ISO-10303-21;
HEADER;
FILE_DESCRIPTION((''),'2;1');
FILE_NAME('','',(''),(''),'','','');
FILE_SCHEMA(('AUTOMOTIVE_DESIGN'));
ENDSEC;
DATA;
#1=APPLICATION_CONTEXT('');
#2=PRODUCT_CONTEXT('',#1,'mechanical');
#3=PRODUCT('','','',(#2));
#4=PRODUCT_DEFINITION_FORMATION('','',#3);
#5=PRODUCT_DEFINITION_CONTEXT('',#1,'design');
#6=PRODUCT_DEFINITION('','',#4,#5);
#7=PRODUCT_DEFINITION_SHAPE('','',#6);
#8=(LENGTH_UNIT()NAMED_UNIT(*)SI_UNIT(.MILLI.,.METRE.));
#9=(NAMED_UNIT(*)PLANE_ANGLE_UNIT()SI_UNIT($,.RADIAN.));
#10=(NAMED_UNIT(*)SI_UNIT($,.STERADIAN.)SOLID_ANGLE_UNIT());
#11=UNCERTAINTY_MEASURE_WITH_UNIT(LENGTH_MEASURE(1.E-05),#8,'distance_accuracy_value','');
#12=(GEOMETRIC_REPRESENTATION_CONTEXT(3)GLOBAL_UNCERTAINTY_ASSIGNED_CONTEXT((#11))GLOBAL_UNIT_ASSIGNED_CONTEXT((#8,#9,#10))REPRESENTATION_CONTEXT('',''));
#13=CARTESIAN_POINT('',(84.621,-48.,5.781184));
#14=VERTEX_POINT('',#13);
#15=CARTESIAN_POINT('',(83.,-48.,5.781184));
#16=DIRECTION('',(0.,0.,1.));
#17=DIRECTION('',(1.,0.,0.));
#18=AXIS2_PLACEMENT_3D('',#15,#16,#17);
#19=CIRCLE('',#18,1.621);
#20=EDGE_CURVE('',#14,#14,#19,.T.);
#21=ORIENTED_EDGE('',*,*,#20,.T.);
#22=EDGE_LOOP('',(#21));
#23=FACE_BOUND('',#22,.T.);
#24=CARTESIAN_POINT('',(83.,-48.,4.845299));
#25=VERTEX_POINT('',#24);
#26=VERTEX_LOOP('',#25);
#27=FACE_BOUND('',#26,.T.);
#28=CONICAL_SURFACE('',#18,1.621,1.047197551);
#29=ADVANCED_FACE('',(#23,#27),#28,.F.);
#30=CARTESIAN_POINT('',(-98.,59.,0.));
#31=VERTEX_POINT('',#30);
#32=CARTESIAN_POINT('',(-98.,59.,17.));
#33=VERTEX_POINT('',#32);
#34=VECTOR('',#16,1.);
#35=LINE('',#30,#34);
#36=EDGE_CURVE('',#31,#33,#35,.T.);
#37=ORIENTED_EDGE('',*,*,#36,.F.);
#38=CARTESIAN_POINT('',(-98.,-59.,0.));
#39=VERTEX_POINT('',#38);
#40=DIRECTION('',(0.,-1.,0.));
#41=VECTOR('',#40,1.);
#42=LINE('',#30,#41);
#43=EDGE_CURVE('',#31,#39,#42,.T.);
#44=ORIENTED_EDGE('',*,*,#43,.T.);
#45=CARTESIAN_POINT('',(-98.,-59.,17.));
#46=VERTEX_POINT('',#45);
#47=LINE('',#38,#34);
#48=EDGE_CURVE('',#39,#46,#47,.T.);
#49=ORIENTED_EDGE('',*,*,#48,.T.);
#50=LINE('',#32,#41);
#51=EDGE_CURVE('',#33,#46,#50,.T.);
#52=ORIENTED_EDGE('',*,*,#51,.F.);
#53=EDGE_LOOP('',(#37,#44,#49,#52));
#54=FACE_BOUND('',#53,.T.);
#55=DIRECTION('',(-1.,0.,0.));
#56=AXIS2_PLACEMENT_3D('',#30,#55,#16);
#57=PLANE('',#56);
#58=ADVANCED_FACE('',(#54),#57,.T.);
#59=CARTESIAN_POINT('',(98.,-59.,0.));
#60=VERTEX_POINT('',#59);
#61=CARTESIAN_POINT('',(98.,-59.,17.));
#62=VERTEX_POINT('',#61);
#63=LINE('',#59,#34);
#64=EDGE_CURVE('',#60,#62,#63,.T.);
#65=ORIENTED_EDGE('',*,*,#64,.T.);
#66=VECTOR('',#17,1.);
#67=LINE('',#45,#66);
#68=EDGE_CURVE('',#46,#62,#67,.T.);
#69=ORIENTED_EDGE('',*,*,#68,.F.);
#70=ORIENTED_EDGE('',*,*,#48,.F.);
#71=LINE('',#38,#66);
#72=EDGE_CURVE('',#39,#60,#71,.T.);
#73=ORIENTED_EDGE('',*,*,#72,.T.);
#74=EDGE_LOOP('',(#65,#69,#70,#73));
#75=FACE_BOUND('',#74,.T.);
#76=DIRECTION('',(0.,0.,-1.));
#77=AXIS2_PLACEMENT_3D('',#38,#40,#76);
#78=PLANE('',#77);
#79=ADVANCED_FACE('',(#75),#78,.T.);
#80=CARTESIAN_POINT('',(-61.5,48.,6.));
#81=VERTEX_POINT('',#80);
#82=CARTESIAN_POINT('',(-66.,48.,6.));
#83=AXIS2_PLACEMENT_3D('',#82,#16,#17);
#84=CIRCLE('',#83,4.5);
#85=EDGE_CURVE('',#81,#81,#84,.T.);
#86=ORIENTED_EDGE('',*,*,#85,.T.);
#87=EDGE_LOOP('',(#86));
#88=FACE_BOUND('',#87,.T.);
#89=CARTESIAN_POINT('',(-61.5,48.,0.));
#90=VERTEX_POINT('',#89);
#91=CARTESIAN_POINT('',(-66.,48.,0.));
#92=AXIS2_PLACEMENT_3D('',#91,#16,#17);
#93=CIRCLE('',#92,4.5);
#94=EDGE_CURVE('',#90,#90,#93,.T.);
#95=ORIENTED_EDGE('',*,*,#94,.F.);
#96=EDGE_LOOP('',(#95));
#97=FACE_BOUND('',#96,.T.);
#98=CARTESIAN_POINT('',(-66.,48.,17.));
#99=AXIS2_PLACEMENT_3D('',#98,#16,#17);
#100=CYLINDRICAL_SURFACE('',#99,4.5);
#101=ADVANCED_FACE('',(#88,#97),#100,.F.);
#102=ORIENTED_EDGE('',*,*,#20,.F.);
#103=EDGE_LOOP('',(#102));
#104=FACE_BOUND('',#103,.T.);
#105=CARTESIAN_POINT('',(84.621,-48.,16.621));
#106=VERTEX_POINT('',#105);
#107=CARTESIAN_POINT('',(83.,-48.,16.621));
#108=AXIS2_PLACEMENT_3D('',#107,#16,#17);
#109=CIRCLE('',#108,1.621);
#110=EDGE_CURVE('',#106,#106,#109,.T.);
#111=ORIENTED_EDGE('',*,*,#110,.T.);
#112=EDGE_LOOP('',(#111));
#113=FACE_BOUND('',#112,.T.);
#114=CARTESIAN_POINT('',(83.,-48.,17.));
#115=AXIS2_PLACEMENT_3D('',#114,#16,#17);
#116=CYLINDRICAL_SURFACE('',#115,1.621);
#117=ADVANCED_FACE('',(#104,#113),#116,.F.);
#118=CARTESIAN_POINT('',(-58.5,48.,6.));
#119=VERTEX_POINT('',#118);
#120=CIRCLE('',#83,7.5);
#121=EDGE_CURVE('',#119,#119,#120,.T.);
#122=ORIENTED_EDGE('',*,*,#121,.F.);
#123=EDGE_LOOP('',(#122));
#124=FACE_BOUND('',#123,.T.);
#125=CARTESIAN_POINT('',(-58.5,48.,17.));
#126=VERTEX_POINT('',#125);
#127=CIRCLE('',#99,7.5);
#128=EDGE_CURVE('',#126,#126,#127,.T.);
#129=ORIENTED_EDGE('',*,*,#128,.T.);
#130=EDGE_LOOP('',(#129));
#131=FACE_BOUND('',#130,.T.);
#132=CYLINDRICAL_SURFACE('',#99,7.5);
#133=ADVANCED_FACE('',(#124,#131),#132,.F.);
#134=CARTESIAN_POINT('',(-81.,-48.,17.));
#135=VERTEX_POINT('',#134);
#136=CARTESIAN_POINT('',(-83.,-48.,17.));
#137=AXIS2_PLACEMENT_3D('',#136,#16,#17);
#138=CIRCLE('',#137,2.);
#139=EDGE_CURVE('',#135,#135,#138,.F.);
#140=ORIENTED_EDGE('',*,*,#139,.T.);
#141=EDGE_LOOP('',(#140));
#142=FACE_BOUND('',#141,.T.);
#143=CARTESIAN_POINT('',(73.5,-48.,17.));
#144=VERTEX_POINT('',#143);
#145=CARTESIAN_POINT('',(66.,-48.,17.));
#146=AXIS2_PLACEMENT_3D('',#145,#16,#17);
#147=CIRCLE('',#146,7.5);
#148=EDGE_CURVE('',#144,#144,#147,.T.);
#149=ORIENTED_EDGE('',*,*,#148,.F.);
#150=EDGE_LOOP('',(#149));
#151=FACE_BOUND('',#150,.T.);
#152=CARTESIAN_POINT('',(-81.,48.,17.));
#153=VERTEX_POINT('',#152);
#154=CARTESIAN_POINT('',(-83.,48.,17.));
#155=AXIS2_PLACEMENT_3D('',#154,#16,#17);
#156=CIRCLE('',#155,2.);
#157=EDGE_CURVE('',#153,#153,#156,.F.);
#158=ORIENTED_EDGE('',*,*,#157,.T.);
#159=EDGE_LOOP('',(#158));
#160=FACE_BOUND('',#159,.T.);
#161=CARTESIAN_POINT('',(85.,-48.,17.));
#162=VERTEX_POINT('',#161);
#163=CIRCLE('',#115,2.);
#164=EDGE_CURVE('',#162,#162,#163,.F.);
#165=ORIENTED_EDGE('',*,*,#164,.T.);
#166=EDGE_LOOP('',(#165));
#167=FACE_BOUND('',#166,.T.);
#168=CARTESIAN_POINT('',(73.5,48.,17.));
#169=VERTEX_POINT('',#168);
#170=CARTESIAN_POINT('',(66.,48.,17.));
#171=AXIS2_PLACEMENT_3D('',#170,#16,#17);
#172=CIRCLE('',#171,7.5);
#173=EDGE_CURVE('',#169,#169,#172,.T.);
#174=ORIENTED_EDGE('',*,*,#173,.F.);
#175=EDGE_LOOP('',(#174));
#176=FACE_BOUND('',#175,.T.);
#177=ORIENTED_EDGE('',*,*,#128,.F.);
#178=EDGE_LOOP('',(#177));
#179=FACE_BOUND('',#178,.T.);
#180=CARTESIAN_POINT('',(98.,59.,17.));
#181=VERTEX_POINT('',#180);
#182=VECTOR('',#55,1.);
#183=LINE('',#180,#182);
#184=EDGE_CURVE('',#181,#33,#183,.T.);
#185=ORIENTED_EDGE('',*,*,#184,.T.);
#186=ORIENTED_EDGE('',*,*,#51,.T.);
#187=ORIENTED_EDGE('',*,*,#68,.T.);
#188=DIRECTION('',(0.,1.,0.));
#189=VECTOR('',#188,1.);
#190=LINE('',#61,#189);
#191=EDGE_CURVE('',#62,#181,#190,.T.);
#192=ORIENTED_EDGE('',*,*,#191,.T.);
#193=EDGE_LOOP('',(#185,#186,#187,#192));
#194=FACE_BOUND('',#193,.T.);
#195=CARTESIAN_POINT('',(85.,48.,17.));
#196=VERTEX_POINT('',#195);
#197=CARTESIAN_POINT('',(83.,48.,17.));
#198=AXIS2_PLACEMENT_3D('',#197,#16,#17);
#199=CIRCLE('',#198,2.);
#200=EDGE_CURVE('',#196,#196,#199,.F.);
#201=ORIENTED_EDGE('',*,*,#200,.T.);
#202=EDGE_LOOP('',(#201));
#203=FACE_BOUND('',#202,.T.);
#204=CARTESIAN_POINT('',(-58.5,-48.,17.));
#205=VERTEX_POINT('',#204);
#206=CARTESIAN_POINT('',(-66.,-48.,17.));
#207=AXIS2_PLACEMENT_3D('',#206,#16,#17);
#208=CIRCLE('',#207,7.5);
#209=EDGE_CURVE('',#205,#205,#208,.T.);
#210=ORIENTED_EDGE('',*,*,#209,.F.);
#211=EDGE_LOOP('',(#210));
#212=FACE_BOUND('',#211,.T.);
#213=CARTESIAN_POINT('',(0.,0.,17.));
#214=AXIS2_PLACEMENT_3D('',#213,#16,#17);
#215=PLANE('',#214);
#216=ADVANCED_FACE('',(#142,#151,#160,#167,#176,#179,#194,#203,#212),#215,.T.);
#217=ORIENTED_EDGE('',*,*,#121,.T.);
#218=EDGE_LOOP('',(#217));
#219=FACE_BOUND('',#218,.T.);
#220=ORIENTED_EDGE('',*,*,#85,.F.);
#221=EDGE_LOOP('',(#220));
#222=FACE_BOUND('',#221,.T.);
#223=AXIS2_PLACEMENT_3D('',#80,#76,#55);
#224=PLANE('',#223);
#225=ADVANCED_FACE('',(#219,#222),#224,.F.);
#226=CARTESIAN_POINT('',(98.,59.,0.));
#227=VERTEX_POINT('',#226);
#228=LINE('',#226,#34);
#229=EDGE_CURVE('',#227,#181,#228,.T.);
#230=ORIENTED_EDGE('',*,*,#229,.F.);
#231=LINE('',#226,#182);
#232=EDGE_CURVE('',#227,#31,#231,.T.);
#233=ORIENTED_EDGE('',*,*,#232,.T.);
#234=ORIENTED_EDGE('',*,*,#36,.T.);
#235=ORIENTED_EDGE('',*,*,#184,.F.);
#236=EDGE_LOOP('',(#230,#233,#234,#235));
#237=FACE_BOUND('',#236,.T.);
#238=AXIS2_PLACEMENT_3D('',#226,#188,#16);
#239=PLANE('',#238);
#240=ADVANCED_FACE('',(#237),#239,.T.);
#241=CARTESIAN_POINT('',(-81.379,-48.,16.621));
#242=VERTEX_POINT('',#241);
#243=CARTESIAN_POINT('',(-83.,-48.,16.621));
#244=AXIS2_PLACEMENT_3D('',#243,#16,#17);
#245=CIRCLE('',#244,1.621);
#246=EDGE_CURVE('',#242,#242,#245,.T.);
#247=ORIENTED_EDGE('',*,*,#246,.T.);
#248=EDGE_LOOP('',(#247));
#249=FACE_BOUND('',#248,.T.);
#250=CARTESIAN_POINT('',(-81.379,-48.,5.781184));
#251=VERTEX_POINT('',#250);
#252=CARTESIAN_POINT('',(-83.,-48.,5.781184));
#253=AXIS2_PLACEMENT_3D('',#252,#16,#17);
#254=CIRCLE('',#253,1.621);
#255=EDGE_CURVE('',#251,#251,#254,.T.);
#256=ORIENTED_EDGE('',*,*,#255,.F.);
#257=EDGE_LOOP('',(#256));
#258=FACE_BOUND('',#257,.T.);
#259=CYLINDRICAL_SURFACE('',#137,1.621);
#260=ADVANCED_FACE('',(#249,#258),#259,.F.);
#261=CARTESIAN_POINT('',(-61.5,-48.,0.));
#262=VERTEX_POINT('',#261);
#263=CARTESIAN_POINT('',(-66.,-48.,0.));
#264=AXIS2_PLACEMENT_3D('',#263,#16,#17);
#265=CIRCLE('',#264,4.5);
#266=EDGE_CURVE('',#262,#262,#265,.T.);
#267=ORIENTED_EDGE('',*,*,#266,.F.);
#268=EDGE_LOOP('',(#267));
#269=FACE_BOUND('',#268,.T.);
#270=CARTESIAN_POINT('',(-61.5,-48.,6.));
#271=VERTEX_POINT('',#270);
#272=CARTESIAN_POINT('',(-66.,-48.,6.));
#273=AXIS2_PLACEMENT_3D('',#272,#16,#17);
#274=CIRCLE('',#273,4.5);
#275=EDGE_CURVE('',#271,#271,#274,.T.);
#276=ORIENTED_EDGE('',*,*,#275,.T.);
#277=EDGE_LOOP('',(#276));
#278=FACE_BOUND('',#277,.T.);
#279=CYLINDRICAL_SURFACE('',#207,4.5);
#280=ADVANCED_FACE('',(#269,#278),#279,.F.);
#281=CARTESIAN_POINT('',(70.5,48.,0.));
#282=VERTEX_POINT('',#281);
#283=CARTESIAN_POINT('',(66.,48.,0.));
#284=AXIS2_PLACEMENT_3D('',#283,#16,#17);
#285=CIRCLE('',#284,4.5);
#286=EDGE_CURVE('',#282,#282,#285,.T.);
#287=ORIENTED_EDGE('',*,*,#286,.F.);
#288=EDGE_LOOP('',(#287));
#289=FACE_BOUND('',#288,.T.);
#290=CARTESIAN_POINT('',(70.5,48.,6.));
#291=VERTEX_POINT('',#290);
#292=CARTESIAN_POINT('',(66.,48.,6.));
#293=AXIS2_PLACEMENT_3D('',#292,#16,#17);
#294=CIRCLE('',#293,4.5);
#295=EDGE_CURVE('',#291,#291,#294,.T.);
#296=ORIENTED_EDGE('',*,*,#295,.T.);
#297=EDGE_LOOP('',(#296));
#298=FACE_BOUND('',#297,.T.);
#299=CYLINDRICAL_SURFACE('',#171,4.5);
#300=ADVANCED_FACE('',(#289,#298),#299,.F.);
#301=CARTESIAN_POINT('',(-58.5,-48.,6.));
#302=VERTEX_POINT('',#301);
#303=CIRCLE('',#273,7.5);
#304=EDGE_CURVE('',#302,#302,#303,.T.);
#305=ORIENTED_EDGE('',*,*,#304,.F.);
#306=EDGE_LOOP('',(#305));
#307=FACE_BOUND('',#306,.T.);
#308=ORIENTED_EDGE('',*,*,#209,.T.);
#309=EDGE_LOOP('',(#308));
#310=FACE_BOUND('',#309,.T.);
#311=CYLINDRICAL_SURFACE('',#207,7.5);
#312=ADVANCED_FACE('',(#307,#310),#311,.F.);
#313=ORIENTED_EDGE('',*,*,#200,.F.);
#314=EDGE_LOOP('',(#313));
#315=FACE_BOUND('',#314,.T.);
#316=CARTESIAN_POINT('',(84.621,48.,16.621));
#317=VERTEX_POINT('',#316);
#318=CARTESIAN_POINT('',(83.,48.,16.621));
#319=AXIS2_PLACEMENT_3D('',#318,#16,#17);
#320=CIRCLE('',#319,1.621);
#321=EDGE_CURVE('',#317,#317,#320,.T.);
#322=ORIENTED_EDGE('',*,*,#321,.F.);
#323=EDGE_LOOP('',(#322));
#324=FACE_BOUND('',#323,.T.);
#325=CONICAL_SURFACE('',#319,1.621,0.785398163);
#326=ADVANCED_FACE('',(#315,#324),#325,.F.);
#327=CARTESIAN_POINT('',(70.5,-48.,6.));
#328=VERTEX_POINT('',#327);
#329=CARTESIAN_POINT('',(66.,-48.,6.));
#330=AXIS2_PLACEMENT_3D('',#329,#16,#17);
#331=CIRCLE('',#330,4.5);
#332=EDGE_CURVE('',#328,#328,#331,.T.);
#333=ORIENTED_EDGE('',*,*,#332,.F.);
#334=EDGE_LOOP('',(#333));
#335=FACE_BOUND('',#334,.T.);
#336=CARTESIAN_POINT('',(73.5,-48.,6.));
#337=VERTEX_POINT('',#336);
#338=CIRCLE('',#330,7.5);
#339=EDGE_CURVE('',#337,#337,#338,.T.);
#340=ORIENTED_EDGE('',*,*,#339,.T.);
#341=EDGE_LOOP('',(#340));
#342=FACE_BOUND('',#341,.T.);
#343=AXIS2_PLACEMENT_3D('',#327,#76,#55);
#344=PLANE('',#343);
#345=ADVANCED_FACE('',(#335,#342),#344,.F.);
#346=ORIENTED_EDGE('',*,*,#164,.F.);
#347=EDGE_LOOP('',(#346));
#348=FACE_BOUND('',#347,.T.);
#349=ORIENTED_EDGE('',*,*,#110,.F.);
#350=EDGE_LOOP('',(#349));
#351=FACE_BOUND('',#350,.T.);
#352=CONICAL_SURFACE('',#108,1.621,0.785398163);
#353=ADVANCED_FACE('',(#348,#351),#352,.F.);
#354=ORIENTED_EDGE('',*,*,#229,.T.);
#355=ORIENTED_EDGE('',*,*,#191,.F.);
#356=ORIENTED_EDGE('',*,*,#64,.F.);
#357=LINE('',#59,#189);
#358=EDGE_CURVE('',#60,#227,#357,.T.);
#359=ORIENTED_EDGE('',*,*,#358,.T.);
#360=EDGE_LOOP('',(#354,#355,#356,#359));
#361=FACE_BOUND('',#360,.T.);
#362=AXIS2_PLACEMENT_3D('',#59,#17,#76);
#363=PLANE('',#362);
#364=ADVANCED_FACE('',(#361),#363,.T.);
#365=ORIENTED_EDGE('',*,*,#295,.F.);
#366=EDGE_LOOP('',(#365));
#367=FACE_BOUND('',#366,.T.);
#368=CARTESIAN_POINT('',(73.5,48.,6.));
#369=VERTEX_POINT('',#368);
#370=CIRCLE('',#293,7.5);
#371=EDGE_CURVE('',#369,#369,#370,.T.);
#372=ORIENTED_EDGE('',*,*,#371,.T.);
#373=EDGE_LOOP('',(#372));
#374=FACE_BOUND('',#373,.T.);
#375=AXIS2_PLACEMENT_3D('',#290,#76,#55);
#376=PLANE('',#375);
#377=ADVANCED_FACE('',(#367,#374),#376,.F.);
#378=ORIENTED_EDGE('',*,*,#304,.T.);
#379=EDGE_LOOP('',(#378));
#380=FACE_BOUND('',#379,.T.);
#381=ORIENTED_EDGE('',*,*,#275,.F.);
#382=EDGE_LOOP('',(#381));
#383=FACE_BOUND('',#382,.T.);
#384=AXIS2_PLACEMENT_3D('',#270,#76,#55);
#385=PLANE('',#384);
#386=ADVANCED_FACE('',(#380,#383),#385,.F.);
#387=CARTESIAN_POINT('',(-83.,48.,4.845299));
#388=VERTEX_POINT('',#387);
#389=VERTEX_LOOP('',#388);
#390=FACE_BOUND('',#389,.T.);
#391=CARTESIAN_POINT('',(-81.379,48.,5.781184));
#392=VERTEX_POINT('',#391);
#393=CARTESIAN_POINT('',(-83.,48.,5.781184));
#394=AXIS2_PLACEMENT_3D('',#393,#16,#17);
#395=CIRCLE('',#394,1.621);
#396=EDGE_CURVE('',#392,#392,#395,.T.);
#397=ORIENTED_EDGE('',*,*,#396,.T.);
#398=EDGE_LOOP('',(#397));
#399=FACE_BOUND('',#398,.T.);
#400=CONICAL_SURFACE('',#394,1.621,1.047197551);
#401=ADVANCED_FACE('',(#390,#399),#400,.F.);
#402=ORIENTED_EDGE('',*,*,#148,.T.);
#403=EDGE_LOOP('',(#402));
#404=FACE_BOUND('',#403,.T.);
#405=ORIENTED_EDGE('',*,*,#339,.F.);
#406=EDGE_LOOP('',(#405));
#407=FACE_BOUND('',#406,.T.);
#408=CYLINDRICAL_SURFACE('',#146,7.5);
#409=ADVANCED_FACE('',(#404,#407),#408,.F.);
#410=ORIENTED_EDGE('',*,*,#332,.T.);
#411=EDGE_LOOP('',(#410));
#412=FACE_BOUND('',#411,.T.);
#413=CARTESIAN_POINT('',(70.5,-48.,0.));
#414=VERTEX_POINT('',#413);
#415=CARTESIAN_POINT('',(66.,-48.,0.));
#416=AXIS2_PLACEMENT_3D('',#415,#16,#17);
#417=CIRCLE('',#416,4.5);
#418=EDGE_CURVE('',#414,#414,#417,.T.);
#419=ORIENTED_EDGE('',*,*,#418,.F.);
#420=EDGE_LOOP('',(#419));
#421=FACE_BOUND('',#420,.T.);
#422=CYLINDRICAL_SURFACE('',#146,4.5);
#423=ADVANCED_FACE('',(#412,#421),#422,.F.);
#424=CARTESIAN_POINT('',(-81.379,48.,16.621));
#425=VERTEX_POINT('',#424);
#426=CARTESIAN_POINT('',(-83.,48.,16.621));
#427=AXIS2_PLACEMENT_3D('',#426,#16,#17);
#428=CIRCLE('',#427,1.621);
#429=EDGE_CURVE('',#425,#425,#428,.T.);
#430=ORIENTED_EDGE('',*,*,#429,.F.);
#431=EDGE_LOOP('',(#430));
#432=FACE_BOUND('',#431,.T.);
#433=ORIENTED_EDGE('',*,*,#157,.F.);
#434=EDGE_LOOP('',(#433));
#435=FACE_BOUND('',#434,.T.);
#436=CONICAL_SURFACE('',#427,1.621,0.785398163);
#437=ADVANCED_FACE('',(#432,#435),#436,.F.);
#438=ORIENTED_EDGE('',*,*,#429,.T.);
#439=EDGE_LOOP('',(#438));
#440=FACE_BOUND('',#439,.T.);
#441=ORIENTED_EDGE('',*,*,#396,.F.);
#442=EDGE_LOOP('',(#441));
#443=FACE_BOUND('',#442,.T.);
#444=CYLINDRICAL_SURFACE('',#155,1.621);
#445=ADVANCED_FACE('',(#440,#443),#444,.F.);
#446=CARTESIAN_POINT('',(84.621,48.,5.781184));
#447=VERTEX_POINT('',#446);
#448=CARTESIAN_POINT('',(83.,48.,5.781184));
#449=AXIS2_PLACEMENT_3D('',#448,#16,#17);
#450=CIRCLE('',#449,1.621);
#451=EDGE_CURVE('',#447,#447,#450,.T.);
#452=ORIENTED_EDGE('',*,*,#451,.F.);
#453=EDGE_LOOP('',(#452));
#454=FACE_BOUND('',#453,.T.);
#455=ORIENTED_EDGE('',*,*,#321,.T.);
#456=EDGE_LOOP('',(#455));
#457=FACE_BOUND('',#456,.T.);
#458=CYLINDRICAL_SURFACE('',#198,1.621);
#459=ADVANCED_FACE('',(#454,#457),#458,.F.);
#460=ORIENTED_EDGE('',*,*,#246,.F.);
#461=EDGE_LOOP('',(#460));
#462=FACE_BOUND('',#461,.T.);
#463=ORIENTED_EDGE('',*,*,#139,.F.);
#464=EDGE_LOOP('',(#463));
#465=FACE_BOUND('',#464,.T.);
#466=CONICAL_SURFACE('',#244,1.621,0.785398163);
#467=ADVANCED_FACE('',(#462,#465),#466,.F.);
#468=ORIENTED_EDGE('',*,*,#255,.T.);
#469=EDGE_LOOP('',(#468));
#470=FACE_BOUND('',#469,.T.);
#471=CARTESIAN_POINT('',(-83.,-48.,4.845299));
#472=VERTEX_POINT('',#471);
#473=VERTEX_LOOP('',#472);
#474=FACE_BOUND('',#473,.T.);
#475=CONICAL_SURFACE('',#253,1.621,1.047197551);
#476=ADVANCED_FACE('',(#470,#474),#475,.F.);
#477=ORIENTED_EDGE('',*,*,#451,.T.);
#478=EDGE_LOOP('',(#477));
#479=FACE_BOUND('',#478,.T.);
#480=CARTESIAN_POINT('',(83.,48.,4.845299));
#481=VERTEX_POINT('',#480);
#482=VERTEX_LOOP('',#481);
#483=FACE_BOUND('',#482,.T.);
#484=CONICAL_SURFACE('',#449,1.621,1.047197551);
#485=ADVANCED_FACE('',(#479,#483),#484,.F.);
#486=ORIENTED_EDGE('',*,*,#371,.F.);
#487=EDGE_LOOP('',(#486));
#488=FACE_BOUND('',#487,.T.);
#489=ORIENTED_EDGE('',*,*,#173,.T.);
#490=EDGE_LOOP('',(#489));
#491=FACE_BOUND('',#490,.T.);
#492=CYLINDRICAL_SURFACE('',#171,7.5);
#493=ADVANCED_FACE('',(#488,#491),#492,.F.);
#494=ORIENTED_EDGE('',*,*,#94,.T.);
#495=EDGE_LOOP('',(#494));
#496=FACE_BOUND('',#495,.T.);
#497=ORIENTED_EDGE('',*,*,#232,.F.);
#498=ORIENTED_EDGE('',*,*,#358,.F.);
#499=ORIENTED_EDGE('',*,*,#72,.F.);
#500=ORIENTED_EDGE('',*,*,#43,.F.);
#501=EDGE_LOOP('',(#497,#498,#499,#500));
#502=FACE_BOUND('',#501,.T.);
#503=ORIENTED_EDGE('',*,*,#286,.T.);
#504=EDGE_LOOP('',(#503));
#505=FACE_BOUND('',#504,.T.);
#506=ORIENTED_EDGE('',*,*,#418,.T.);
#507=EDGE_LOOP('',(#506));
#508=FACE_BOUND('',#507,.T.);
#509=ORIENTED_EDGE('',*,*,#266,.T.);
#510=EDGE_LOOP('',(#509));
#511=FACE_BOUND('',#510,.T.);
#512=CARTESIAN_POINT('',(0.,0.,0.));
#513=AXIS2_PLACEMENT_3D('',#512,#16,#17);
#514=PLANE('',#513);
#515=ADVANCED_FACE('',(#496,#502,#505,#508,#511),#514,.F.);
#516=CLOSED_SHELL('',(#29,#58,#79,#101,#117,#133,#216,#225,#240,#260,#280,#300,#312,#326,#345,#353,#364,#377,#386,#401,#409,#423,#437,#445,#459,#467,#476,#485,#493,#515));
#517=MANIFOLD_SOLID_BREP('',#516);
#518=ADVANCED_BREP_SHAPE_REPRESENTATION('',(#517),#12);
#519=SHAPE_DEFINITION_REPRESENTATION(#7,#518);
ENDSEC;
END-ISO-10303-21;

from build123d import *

# Parameters (mm, degrees)
SKETCH_1_W                  = 196
SKETCH_1_H                  = 118
EXTRUDE_1_DEPTH             = 17
HOLE_WIZARD_M31_D           = 3.242
HOLE_WIZARD_M31_DEPTH       = 11.218815752
HOLE_WIZARD_M31_TIP         = 0.935884786
HOLE_WIZARD_M81_D           = 9
HOLE_WIZARD_M81_CBORE_D     = 15
HOLE_WIZARD_M81_CBORE_DEPTH = 11
CHAMFER_1_SIZE              = 0.379


with BuildPart() as part:
    # Эскиз1 → Бобышка-Вытянуть1 (new body)
    with BuildSketch(Plane.XY.offset(17)):
        Rectangle(SKETCH_1_W, SKETCH_1_H)
    extrude(amount=-EXTRUDE_1_DEPTH)

    # Отверстие с зазором M31
    with Locations(Plane.XY.offset(17)):
        with Locations((-83, 48), (-83, -48), (83, 48), (83, -48)):
            Hole(HOLE_WIZARD_M31_D / 2, depth=HOLE_WIZARD_M31_DEPTH)
            with Locations((0, 0, -(HOLE_WIZARD_M31_DEPTH + HOLE_WIZARD_M31_TIP / 2))):  # 120° drill point
                Cone(0, HOLE_WIZARD_M31_D / 2, HOLE_WIZARD_M31_TIP, mode=Mode.SUBTRACT)

    # Цековка для  болта с шестигранной головкой M81 (through all)
    with Locations(Plane.XY.offset(17)):
        with Locations((66, 48), (66, -48), (-66, 48), (-66, -48)):
            CounterBoreHole(HOLE_WIZARD_M81_D / 2, HOLE_WIZARD_M81_CBORE_D / 2, HOLE_WIZARD_M81_CBORE_DEPTH)

    # Фаска1
    chamfer_1_edges = [part.edges().sort_by_distance(p)[0] for p in [
        (84.621, -48, 17),
        (84.621, 48, 17),
        (-81.379, -48, 17),
        (-81.379, 48, 17),
    ]]
    chamfer(chamfer_1_edges, length=CHAMFER_1_SIZE)


solid = part.part
